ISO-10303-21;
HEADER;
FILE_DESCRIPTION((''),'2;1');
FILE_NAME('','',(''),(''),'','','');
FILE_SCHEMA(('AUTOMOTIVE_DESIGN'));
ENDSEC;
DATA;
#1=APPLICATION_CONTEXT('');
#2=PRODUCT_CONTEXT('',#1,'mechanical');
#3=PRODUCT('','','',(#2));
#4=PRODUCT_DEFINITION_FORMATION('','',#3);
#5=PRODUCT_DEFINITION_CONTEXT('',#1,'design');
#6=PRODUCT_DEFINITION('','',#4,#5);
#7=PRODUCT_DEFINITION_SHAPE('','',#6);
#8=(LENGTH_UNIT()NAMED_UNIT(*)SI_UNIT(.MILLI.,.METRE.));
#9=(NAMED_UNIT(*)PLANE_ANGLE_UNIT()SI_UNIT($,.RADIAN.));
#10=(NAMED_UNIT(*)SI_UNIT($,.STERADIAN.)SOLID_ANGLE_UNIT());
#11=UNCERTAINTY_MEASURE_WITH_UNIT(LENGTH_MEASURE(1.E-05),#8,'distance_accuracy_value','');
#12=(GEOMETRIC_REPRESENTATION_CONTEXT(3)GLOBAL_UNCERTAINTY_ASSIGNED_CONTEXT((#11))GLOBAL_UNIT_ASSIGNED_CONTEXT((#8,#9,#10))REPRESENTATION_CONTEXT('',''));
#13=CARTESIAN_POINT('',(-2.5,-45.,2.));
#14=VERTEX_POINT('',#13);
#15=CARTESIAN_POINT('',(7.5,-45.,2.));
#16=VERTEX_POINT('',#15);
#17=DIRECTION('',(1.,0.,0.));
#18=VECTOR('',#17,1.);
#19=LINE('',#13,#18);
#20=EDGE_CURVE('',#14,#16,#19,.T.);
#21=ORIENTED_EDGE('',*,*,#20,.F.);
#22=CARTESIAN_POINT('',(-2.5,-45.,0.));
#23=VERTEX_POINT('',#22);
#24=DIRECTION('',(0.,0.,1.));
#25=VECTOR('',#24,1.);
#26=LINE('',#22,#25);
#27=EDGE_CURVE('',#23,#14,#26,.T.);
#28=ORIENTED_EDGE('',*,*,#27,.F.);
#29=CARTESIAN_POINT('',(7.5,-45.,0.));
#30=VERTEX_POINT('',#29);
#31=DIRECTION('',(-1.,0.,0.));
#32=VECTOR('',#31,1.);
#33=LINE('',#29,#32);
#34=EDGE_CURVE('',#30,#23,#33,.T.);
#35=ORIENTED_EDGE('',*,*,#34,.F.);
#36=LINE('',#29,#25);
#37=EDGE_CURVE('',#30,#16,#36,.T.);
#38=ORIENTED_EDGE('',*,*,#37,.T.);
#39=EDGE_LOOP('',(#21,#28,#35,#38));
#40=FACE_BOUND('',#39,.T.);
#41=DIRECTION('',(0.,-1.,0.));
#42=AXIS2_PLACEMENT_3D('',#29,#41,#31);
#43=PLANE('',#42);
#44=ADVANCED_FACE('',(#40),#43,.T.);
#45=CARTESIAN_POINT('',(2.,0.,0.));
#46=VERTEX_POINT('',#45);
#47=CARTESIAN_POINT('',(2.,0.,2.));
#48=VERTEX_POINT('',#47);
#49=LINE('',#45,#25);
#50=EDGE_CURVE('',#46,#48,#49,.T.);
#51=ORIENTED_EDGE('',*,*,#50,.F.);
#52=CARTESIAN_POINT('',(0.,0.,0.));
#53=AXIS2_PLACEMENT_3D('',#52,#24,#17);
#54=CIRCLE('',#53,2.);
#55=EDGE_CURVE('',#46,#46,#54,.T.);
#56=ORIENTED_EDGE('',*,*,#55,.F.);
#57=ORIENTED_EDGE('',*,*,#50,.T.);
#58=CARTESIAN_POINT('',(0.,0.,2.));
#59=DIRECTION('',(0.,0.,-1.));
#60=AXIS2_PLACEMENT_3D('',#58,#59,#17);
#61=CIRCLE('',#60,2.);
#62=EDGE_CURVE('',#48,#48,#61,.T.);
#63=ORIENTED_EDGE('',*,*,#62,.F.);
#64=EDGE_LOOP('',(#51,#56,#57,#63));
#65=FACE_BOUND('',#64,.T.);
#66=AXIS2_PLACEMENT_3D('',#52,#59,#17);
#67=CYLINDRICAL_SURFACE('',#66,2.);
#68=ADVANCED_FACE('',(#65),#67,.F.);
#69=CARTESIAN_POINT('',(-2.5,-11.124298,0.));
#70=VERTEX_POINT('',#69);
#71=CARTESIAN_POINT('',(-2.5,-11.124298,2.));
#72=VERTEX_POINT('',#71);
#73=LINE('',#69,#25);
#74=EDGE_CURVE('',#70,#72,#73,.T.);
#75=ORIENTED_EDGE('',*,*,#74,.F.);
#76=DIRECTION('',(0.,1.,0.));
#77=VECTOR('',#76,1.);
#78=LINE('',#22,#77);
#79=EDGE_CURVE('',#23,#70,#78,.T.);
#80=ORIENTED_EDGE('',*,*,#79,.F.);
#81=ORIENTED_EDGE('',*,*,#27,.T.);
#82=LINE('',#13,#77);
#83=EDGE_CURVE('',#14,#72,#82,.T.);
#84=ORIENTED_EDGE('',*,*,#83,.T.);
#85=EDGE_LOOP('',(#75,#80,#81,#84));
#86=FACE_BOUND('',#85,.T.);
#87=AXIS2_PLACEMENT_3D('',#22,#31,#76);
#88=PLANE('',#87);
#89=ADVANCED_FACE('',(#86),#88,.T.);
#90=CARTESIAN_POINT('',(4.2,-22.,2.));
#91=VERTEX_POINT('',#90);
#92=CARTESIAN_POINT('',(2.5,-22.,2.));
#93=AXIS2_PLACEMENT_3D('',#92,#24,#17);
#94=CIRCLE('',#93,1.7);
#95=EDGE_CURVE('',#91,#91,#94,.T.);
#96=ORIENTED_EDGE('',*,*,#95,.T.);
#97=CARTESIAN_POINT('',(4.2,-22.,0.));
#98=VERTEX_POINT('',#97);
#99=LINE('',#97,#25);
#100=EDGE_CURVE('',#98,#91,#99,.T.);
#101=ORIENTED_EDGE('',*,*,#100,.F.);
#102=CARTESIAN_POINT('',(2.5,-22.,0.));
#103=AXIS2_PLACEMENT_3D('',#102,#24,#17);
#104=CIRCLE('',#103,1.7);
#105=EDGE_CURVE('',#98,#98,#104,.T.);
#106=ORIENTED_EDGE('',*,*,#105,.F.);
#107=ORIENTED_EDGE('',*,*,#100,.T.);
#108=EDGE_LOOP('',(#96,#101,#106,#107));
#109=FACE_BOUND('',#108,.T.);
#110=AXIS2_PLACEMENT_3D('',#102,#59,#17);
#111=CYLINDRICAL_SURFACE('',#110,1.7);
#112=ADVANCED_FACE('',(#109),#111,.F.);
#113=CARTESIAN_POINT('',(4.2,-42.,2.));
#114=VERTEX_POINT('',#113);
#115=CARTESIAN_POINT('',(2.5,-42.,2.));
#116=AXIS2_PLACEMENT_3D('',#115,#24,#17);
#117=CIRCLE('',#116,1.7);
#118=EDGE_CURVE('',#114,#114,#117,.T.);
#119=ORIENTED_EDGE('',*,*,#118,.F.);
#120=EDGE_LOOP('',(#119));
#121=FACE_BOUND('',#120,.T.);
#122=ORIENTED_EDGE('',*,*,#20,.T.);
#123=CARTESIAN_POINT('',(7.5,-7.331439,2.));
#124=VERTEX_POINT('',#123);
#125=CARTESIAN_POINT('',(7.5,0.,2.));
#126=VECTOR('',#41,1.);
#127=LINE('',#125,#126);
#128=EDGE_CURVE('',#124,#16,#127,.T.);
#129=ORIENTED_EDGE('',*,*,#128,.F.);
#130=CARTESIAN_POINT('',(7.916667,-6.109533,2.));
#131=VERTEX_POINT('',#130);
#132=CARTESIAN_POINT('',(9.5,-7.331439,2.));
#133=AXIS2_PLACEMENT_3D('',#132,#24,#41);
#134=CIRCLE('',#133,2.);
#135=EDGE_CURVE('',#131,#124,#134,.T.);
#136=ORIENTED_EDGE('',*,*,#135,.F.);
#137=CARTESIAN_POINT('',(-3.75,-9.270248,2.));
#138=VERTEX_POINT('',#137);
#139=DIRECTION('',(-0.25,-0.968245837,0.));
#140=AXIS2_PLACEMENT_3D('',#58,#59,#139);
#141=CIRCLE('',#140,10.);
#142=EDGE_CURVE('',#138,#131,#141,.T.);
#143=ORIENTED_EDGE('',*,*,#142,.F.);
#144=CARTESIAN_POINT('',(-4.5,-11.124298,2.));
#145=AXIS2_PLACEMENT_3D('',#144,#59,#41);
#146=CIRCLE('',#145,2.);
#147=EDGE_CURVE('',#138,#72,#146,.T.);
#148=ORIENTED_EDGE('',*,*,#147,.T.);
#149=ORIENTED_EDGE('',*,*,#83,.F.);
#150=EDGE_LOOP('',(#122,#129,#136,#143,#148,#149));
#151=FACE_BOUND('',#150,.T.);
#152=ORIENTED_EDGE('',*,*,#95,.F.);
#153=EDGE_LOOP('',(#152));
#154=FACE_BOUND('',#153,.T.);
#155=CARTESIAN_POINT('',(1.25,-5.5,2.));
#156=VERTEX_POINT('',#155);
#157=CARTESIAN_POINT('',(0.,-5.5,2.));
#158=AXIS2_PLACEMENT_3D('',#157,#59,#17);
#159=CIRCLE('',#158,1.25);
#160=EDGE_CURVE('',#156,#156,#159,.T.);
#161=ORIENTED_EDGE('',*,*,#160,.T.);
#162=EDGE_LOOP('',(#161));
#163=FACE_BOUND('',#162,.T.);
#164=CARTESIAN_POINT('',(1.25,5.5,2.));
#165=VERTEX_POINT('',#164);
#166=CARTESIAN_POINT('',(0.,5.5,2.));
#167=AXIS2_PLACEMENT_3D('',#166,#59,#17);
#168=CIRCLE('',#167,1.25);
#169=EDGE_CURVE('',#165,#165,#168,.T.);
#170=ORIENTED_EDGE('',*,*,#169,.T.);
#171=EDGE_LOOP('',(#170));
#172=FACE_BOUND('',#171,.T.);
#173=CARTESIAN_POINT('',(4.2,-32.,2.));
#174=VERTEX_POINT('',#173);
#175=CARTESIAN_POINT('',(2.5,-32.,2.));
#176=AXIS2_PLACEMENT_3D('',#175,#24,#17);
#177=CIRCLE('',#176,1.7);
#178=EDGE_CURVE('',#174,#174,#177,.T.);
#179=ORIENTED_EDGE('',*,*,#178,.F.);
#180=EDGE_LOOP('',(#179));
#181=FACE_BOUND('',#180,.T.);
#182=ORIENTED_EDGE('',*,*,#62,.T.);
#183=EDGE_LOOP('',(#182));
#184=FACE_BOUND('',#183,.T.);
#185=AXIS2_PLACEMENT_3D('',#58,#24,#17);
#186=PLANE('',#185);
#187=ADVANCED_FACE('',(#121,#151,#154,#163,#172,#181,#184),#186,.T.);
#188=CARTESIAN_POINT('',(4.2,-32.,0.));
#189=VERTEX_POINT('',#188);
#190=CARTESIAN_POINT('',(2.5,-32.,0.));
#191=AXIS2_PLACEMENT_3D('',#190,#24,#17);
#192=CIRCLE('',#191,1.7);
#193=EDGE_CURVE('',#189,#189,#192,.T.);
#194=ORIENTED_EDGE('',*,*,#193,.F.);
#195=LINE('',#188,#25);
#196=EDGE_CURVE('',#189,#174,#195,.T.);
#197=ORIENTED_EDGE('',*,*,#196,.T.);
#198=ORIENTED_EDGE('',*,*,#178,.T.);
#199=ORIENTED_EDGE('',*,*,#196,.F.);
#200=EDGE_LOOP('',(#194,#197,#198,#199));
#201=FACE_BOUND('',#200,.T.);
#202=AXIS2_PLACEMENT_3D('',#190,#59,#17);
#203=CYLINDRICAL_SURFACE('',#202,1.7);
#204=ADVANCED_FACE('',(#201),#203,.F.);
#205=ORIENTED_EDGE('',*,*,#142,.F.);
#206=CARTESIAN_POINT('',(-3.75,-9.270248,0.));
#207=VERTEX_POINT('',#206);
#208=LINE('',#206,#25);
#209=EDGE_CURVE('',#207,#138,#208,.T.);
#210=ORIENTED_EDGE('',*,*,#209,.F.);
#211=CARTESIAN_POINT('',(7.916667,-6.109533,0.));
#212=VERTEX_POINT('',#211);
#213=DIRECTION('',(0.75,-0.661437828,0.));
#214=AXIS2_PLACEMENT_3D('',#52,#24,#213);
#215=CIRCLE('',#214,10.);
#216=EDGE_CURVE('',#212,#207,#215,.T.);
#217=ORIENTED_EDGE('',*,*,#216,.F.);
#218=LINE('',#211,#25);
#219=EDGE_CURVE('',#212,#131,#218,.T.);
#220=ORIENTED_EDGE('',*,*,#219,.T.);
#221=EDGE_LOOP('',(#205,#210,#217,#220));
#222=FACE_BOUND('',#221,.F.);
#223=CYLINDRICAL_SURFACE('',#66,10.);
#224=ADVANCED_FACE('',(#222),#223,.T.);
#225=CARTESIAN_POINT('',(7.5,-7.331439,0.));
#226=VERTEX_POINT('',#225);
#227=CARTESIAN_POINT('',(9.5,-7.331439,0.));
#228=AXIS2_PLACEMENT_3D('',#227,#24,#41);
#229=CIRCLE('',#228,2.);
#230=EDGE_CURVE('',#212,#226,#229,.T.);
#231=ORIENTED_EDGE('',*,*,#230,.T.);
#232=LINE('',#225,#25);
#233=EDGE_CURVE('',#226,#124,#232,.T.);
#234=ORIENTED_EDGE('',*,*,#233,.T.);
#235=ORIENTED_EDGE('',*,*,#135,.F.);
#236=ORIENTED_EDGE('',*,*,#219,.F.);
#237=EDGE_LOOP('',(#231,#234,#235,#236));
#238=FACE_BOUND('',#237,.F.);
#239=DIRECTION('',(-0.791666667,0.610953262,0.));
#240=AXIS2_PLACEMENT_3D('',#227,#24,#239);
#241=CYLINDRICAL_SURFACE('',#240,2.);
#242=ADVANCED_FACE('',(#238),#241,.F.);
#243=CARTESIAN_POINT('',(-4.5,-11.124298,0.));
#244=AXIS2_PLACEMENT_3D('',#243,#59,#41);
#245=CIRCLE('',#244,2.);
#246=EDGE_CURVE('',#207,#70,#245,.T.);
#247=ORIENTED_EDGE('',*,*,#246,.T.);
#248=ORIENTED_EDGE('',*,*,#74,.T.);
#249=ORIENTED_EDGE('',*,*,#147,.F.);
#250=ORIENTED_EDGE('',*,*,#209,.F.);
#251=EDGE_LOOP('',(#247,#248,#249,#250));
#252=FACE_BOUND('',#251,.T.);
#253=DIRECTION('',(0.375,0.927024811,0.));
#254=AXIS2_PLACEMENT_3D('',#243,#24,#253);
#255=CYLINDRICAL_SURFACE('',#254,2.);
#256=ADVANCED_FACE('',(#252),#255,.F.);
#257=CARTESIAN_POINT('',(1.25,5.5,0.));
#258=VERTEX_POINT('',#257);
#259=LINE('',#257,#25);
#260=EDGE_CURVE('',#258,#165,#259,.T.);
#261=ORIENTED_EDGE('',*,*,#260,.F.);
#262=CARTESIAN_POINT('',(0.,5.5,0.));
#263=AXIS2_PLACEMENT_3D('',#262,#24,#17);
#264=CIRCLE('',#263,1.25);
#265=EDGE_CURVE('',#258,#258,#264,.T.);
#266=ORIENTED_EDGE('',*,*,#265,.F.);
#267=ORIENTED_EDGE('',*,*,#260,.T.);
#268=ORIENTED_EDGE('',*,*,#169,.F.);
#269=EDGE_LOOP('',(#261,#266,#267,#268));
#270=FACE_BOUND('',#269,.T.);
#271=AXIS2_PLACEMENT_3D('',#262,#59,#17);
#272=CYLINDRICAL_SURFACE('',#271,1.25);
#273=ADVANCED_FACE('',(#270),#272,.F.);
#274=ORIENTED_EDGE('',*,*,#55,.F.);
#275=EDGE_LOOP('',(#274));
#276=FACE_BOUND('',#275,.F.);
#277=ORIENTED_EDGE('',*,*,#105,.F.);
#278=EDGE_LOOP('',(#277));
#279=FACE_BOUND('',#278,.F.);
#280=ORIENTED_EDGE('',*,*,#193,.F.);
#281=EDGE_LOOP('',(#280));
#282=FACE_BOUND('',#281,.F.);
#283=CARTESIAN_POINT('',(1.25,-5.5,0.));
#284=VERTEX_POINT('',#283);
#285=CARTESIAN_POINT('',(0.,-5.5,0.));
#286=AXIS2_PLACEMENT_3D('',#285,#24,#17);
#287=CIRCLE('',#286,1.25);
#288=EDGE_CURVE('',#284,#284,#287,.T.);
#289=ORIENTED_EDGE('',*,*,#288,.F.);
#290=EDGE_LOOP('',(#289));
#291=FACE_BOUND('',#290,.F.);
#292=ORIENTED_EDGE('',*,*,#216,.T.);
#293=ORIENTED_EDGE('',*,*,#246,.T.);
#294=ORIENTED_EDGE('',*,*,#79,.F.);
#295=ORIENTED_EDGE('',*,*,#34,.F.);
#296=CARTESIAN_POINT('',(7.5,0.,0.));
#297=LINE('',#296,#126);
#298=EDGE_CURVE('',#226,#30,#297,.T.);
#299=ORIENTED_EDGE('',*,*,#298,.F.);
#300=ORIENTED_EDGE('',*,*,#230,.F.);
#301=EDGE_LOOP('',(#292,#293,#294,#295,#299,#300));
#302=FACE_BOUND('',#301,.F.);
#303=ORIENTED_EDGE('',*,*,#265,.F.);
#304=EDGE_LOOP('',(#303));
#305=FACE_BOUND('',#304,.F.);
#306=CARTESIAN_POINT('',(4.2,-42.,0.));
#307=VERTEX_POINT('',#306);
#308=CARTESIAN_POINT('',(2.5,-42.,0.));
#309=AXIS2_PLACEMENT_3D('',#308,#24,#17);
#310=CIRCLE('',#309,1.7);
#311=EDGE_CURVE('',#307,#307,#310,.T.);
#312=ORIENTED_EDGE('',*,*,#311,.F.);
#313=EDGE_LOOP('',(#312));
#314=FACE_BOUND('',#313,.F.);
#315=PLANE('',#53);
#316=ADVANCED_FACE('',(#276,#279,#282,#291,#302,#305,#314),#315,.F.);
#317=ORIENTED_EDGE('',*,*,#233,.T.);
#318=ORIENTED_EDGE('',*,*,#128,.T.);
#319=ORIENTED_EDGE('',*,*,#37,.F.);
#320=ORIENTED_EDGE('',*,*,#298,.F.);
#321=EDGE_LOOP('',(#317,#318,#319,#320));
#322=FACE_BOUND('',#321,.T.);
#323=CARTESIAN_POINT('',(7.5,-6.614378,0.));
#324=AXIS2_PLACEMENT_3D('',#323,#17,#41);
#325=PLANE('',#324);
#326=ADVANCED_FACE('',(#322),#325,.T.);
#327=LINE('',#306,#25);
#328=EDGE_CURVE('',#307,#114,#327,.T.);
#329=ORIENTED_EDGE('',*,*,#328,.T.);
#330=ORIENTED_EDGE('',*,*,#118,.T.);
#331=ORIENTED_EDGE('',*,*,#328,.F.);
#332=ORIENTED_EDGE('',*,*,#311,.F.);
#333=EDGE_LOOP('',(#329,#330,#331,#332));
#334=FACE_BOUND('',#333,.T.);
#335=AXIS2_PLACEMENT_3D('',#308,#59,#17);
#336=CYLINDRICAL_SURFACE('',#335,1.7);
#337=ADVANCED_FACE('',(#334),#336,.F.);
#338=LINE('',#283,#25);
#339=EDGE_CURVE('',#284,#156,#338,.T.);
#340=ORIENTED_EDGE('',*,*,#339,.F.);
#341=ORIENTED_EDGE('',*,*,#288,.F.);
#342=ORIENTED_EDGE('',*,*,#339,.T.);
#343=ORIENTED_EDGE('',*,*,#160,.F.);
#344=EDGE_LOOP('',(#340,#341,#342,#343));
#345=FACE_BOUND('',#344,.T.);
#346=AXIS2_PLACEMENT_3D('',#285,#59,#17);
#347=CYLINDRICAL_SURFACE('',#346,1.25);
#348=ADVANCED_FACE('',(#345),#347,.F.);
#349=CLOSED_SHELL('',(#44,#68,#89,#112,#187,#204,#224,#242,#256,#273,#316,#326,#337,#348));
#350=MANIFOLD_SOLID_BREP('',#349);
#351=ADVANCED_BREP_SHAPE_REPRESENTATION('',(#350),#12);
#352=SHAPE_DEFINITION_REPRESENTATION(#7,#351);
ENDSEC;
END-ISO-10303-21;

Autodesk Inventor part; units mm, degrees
ref_plane "YZ Plane" through (0, 0, 0) normal (1, 0, 0) x (0, 1, 0)
ref_plane "XZ Plane" through (0, 0, 0) normal (0, 1, 0) x (-1, 0, 0)
ref_plane "XY Plane" through (0, 0, 0) normal (0, 0, 1) x (1, 0, 0)
sketch "スケッチ1" plane through (0, 0, 0) normal (0, 0, 1) x (1, 0, 0)
  circle A0 centre (0, 0) radius 10
  line L0 (0, 0) -> (7.5, 0)
  line L1 (7.5, 0) -> (7.5, -45)
  line L2 (7.5, -45) -> (-2.5, -45)
  line L3 (-2.5, -45) -> (-2.5, 0)
  circle A1 centre (2.5, -22) radius 1.7
  circle A2 centre (2.5, -32) radius 1.7
  circle A3 centre (2.5, -42) radius 1.7
  circle A4 centre (0, 0) radius 5.5
  circle A5 centre (0, 5.5) radius 1.25
  circle A6 centre (0, -5.5) radius 1.25
  circle A7 centre (0, 0) radius 2
  line L4 (0, 0) -> (0, -45)
  point P0 (7.5, -6.6144)
  point P1 (-2.5, -9.6825)
  dimension "d0" = 20
  dimension "d3" = 7.5
  dimension "d4" = 45
  dimension "d5" = 10
  dimension "d6" = 3.4
  dimension "d7" = 3.4
  dimension "d8" = 3.4
  dimension "d9" = 11
  dimension "d10" = 2.5
  dimension "d11" = 2.5
  dimension "d12" = 4
  dimension "d16" = 2.5
  dimension "d17" = 2.5
  dimension "d18" = 2.5
extrude "押し出し1" add sketch "スケッチ1" along normal blind 2 contours A0 L1 L0 A4 A5 L3 | L3 A4 A6 L4 A0 | A0 L4 L2 L3 | L1 L2 L4 A0 | A0 L4 A6 A4 L0 L1 | A4 A5 L0 A7 L4 A6 | A4 A6 L4 A7 L0
fillet "フィレット1" radius 2 2 edges at (7.5, -6.6144, 1) (-2.5, -9.6825, 1)
properties part number "cutter_board_claws_endeffector_8_5_rotary-blade"
